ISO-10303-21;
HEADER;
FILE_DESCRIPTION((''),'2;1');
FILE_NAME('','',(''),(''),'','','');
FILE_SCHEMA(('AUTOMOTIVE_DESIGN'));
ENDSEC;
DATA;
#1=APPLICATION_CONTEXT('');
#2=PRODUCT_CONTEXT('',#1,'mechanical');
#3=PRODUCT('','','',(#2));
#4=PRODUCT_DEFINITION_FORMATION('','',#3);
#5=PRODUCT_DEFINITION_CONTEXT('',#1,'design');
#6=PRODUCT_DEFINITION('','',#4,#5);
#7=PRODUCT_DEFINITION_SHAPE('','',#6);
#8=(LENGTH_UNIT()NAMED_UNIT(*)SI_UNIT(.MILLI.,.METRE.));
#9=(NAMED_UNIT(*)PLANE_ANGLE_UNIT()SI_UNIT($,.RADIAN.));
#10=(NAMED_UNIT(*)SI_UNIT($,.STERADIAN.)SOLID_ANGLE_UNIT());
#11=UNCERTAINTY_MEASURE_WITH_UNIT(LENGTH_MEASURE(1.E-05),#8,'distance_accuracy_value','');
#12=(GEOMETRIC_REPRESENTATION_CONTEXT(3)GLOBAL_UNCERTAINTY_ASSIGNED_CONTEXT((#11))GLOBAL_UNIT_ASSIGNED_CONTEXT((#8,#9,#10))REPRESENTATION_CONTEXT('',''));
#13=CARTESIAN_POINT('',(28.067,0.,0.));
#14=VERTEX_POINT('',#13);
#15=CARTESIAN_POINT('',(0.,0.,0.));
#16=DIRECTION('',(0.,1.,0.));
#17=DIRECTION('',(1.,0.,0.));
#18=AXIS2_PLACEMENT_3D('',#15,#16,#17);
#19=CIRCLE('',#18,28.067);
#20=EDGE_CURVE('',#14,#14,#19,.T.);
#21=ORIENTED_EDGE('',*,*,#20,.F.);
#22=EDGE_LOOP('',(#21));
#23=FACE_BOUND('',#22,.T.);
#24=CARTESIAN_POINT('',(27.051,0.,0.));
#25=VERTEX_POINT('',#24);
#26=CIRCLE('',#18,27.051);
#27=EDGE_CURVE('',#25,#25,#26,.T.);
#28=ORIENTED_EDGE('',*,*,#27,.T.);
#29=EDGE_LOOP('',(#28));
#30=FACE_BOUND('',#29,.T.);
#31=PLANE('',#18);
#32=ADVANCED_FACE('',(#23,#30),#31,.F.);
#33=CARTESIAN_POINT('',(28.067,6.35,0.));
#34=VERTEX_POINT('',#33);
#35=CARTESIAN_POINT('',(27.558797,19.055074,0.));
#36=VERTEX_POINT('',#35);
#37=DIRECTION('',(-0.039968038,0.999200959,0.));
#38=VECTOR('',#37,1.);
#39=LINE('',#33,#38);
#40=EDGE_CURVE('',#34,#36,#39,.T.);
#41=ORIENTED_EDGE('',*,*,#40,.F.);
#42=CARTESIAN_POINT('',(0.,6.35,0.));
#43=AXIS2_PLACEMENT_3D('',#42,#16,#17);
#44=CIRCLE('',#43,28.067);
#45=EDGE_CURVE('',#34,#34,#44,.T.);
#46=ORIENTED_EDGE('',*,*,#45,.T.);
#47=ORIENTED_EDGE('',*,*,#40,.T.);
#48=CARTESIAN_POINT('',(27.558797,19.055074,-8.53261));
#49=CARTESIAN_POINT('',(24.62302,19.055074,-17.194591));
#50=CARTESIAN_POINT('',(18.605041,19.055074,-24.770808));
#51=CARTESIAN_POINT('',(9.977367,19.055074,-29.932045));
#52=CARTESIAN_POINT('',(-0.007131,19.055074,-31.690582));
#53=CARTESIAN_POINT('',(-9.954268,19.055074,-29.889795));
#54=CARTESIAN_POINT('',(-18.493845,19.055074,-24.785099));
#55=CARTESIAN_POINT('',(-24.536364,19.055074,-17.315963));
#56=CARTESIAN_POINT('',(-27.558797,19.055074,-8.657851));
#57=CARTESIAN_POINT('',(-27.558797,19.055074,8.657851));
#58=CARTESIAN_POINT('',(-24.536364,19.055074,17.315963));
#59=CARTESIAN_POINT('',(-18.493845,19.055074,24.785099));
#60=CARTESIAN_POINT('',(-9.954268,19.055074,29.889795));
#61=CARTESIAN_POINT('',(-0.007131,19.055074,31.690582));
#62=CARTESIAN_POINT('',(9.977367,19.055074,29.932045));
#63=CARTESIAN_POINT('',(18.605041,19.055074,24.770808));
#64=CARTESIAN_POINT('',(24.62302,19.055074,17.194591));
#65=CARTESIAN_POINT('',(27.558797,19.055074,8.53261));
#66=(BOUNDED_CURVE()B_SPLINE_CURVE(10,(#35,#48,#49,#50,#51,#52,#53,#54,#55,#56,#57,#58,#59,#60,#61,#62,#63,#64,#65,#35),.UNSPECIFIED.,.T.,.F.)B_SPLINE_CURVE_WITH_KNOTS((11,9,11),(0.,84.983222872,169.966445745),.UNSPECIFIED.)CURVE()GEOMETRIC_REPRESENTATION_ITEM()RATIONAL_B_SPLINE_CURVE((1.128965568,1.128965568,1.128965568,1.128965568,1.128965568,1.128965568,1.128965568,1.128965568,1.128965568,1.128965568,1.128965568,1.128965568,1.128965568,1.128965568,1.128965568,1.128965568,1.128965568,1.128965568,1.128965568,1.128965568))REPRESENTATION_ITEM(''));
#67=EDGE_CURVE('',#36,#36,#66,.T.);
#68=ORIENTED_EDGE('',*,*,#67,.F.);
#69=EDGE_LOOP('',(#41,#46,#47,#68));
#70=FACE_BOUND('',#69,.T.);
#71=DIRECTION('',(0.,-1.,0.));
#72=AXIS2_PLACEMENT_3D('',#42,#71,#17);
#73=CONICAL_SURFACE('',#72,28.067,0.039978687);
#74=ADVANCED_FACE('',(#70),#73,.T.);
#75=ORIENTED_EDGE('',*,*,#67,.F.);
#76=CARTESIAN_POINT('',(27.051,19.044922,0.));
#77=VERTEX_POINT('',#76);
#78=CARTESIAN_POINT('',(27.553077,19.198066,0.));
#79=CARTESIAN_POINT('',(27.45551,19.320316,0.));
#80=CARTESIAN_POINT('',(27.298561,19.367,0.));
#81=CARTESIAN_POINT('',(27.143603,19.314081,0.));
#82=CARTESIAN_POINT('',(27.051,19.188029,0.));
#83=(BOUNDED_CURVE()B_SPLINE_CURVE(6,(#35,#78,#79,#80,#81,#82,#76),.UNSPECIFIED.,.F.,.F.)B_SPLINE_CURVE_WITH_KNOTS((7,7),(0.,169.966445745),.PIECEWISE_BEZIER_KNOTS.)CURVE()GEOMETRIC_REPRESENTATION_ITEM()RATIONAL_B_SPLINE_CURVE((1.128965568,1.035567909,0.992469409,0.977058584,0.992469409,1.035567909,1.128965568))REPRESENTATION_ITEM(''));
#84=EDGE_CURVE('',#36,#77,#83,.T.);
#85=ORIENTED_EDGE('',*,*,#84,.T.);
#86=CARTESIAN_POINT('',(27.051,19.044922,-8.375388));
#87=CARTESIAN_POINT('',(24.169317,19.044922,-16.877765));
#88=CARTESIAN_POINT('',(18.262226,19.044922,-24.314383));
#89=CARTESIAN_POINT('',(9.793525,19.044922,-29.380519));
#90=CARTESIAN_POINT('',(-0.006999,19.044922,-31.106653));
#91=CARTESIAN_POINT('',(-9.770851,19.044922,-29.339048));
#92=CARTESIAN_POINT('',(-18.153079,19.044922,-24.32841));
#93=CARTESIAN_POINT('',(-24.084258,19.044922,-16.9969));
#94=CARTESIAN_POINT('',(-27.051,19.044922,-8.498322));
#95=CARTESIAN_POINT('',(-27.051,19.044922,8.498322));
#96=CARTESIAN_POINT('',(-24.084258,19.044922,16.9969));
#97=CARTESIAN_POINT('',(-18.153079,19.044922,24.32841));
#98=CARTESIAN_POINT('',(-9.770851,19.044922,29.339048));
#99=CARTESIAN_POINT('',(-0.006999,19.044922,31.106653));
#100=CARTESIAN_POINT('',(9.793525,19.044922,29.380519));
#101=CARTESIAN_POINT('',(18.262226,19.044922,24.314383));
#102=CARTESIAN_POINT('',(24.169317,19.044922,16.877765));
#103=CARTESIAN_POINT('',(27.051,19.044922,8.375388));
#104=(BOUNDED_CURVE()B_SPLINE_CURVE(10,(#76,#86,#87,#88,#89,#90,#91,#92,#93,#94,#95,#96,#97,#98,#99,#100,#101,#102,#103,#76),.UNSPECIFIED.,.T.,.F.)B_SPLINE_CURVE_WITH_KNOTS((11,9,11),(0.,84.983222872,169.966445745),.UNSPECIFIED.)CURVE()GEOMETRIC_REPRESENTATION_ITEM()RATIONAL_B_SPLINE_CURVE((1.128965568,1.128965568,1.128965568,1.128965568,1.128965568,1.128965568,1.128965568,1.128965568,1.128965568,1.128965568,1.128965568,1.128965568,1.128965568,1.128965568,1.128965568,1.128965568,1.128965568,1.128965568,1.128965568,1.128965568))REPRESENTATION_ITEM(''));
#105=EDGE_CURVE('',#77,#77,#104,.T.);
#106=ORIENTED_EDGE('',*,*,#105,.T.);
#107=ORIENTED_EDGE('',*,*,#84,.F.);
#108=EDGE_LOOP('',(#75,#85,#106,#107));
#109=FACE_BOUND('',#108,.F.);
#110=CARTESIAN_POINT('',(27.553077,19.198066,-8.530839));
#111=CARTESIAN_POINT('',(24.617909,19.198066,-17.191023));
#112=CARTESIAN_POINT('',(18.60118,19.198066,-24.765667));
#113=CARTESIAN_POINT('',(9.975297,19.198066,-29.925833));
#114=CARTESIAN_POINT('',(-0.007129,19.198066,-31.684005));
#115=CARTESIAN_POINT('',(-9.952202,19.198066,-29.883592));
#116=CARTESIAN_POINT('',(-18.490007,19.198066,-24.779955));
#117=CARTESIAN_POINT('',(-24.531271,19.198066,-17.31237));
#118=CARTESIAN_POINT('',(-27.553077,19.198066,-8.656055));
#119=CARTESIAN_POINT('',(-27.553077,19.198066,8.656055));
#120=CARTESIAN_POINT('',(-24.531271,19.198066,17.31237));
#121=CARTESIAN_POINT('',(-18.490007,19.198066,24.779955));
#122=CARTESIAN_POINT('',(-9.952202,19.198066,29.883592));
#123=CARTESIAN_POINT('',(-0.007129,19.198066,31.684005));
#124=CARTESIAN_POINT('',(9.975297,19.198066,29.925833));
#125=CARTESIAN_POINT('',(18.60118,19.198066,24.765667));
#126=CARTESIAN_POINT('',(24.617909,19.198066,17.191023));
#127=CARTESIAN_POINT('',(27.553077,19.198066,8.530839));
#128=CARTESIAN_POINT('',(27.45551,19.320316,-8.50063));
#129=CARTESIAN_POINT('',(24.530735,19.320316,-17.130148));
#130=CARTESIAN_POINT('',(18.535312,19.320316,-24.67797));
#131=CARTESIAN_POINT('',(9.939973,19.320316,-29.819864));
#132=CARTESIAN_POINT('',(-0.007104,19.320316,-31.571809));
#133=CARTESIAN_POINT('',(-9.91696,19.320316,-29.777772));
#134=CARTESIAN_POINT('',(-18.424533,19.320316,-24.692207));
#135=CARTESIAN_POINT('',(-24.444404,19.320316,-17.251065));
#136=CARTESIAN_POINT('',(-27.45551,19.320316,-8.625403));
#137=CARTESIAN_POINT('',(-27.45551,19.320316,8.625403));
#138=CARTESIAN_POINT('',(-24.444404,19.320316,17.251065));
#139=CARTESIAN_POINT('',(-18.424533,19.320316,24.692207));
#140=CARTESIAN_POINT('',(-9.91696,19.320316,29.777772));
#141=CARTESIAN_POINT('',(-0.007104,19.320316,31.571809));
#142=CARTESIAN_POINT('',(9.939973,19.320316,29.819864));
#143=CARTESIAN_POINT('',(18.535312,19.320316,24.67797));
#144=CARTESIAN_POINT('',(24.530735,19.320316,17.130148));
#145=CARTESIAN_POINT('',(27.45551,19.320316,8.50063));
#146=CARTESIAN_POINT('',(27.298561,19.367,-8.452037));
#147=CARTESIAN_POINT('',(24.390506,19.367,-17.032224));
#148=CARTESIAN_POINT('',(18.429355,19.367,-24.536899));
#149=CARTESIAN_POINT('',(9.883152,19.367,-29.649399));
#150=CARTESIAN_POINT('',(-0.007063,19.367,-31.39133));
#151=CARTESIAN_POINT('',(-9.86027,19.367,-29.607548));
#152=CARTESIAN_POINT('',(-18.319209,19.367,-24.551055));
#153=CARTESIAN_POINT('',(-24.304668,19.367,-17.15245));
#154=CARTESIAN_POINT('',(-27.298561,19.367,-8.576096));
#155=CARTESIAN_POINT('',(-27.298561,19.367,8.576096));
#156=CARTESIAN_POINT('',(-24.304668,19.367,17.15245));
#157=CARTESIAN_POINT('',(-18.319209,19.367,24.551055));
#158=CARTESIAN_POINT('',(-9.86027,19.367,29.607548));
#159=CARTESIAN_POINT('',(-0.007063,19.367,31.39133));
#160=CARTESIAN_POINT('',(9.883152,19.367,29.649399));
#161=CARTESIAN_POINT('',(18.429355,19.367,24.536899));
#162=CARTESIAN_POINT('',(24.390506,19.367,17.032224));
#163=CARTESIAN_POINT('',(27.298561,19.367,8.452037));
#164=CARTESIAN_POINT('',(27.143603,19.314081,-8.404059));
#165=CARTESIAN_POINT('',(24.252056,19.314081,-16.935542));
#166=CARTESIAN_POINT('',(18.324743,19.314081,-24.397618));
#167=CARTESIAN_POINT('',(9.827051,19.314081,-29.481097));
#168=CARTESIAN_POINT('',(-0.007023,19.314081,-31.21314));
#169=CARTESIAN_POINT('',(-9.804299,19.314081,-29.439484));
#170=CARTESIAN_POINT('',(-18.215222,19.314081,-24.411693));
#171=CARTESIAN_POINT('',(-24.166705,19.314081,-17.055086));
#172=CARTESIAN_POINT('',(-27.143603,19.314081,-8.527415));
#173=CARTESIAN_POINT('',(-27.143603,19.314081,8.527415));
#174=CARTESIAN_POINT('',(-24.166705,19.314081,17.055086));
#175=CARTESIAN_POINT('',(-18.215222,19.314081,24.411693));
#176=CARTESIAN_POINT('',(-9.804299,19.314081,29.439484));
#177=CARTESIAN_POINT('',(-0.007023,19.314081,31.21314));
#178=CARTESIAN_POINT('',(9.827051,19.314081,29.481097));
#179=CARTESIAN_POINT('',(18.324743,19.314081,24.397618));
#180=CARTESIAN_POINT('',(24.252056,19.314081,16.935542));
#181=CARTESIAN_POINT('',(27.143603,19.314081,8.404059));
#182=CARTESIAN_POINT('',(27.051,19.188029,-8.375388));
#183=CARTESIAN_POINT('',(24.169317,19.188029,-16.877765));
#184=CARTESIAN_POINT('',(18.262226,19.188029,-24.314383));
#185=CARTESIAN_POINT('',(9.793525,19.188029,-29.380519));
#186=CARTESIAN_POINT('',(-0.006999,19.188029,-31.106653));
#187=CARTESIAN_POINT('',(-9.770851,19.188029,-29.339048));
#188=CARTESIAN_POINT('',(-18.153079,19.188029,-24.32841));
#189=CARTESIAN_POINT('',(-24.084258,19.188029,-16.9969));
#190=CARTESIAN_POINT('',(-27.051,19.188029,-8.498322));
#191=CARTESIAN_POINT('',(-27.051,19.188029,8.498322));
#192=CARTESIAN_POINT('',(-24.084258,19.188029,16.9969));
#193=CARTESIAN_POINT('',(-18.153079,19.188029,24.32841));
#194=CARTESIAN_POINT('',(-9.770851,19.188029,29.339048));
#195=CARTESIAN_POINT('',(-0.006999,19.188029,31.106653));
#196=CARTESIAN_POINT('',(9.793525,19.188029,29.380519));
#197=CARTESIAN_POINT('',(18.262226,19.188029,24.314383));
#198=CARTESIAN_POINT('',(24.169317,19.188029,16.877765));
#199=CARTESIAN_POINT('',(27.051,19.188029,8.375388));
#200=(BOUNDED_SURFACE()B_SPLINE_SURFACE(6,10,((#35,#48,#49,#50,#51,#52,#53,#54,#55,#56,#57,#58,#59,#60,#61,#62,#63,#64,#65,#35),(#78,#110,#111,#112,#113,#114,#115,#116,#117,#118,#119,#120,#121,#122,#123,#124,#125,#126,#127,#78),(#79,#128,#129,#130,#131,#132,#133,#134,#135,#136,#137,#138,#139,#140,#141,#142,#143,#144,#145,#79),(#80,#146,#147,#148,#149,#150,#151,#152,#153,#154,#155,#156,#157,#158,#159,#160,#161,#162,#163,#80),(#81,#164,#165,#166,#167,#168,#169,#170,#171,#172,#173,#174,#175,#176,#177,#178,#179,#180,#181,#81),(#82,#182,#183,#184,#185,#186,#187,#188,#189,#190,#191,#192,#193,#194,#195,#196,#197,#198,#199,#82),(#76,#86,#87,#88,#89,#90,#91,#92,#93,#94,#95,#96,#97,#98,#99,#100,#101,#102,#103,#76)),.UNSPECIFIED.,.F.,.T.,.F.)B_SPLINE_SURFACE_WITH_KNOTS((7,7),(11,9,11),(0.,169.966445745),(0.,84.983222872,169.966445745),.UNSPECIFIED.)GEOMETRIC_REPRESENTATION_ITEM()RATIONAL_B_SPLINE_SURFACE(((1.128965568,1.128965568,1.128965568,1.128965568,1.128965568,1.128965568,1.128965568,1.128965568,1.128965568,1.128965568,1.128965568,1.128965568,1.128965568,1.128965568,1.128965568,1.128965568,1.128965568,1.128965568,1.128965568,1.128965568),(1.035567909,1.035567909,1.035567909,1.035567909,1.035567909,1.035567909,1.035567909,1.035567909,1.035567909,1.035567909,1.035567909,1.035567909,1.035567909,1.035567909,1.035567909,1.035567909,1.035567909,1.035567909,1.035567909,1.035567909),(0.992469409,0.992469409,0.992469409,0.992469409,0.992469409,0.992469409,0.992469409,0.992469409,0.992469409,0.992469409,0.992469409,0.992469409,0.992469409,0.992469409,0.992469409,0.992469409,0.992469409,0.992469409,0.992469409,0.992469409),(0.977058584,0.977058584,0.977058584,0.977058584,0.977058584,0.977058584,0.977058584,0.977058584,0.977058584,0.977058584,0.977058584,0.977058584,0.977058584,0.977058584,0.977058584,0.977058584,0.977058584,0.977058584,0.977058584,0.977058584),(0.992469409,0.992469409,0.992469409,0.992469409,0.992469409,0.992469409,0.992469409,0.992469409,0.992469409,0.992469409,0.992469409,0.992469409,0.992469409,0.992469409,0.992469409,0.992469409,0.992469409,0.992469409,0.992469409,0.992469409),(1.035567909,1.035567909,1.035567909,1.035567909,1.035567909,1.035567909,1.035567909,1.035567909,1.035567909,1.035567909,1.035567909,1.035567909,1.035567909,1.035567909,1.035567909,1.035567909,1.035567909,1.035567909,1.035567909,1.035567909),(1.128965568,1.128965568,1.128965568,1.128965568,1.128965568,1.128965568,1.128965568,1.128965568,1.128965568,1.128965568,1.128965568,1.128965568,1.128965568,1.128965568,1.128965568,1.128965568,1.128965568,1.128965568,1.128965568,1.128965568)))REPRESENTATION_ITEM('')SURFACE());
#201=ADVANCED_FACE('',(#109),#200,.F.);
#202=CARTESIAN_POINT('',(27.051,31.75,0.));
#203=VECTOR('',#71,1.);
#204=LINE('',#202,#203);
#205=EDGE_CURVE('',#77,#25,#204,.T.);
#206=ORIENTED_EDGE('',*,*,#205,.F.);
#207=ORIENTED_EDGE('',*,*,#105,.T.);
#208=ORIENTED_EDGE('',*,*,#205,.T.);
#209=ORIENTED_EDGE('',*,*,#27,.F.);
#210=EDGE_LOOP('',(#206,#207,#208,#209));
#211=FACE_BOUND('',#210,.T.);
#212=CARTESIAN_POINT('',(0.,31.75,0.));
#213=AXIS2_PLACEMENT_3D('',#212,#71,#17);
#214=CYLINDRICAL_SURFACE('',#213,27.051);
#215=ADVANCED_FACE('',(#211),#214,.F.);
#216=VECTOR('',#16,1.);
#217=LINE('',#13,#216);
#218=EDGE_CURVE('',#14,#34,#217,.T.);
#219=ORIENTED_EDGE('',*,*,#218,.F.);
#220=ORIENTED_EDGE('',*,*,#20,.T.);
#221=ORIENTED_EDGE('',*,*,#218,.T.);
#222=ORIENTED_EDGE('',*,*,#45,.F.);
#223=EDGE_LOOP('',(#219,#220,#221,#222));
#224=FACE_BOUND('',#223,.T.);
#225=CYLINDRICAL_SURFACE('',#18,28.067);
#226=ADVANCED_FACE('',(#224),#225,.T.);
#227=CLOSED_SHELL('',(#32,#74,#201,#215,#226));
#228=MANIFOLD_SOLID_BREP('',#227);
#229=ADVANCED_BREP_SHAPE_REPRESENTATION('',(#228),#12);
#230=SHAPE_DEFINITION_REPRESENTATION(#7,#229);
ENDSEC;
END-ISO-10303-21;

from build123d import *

# Parameters (mm, degrees)
FILLET1_R = 0.254


with BuildPart() as part:
    # Sketch1 → Revolve1 (revolve)
    with BuildSketch(Plane.XY):
        Polygon((27.051, 0), (28.067, 0), (28.067, 6.35), (27.051, 31.75), align=None)
    revolve(axis=Axis((0, -0.9525, 0), (0, 1, 0)))

    # Fillet1
    fillet1_edges = [part.edges().sort_by_distance(p)[0] for p in [
        (-27.051, 31.75, 0),
    ]]
    fillet(fillet1_edges, radius=FILLET1_R)


solid = part.part
